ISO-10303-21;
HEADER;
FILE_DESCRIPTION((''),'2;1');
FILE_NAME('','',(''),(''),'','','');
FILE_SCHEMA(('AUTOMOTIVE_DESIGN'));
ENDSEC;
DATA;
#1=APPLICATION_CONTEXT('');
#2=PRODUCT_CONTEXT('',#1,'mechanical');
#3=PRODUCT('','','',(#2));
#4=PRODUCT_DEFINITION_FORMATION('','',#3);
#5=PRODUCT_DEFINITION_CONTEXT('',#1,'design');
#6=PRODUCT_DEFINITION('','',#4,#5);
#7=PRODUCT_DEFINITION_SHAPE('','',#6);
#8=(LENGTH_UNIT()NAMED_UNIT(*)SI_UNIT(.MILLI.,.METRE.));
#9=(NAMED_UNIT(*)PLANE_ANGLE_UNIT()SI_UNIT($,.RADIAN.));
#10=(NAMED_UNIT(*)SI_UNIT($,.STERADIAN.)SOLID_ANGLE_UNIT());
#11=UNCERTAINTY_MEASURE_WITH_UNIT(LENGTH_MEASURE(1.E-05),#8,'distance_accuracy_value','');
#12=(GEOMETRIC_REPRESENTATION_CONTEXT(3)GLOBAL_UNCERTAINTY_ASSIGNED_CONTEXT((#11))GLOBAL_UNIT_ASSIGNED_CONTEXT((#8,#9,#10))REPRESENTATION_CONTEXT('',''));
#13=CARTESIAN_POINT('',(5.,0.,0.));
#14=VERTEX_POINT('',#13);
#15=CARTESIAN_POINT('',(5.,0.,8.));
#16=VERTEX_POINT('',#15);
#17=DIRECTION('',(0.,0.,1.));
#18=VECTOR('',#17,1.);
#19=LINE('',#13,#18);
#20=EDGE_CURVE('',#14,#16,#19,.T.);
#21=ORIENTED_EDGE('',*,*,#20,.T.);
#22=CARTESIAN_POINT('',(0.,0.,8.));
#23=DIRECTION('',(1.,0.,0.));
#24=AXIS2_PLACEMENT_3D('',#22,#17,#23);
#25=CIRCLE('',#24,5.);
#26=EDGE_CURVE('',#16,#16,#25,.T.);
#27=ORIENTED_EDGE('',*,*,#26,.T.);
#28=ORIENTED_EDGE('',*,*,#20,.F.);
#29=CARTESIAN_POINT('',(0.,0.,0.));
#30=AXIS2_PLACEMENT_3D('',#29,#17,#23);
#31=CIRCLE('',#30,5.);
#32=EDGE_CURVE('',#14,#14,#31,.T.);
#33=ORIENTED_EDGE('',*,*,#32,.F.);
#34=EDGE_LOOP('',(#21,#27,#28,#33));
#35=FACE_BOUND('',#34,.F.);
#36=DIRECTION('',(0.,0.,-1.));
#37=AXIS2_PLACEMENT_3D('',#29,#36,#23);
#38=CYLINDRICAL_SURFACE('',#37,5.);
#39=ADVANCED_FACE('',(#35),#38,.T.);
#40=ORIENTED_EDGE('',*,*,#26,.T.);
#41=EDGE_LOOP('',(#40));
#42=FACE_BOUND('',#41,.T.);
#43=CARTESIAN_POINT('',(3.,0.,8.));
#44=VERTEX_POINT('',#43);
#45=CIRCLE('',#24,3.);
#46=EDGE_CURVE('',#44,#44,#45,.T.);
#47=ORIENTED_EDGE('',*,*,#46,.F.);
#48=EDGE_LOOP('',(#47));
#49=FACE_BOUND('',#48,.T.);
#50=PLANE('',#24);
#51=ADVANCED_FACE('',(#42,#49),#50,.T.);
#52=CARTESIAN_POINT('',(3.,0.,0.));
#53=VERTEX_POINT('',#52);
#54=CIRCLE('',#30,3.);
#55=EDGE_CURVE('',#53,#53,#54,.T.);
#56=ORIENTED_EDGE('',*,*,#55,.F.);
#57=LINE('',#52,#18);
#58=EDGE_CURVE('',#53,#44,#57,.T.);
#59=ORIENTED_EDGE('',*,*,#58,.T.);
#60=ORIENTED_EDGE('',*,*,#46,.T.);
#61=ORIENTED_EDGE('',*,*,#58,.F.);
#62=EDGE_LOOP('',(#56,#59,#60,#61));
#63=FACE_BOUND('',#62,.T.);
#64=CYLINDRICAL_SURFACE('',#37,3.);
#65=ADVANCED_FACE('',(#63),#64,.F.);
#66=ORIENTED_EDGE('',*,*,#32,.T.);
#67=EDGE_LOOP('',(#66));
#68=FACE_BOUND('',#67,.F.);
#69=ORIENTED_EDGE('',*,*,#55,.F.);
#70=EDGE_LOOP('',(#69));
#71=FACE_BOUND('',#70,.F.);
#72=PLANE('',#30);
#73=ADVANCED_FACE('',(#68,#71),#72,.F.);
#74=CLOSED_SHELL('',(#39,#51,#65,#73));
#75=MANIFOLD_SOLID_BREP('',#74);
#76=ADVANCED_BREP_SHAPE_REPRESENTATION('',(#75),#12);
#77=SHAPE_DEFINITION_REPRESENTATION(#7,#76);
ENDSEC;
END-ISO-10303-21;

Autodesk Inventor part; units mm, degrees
ref_plane "YZ Plane" through (0, 0, 0) normal (1, 0, 0) x (0, 1, 0)
ref_plane "XZ Plane" through (0, 0, 0) normal (0, 1, 0) x (-1, 0, 0)
ref_plane "XY Plane" through (0, 0, 0) normal (0, 0, 1) x (1, 0, 0)
sketch "Szkic1" plane through (0, 0, 0) normal (0, 0, 1) x (1, 0, 0)
  circle A0 centre (0, 0) radius 3
  circle A1 centre (0, 0) radius 5
  dimension "d0" = 6
  dimension "d1" = 10
extrude "Wyciągnięcie proste1" add sketch "Szkic1" along normal blind 8
properties part number "tuleja_M6_M10_8"
